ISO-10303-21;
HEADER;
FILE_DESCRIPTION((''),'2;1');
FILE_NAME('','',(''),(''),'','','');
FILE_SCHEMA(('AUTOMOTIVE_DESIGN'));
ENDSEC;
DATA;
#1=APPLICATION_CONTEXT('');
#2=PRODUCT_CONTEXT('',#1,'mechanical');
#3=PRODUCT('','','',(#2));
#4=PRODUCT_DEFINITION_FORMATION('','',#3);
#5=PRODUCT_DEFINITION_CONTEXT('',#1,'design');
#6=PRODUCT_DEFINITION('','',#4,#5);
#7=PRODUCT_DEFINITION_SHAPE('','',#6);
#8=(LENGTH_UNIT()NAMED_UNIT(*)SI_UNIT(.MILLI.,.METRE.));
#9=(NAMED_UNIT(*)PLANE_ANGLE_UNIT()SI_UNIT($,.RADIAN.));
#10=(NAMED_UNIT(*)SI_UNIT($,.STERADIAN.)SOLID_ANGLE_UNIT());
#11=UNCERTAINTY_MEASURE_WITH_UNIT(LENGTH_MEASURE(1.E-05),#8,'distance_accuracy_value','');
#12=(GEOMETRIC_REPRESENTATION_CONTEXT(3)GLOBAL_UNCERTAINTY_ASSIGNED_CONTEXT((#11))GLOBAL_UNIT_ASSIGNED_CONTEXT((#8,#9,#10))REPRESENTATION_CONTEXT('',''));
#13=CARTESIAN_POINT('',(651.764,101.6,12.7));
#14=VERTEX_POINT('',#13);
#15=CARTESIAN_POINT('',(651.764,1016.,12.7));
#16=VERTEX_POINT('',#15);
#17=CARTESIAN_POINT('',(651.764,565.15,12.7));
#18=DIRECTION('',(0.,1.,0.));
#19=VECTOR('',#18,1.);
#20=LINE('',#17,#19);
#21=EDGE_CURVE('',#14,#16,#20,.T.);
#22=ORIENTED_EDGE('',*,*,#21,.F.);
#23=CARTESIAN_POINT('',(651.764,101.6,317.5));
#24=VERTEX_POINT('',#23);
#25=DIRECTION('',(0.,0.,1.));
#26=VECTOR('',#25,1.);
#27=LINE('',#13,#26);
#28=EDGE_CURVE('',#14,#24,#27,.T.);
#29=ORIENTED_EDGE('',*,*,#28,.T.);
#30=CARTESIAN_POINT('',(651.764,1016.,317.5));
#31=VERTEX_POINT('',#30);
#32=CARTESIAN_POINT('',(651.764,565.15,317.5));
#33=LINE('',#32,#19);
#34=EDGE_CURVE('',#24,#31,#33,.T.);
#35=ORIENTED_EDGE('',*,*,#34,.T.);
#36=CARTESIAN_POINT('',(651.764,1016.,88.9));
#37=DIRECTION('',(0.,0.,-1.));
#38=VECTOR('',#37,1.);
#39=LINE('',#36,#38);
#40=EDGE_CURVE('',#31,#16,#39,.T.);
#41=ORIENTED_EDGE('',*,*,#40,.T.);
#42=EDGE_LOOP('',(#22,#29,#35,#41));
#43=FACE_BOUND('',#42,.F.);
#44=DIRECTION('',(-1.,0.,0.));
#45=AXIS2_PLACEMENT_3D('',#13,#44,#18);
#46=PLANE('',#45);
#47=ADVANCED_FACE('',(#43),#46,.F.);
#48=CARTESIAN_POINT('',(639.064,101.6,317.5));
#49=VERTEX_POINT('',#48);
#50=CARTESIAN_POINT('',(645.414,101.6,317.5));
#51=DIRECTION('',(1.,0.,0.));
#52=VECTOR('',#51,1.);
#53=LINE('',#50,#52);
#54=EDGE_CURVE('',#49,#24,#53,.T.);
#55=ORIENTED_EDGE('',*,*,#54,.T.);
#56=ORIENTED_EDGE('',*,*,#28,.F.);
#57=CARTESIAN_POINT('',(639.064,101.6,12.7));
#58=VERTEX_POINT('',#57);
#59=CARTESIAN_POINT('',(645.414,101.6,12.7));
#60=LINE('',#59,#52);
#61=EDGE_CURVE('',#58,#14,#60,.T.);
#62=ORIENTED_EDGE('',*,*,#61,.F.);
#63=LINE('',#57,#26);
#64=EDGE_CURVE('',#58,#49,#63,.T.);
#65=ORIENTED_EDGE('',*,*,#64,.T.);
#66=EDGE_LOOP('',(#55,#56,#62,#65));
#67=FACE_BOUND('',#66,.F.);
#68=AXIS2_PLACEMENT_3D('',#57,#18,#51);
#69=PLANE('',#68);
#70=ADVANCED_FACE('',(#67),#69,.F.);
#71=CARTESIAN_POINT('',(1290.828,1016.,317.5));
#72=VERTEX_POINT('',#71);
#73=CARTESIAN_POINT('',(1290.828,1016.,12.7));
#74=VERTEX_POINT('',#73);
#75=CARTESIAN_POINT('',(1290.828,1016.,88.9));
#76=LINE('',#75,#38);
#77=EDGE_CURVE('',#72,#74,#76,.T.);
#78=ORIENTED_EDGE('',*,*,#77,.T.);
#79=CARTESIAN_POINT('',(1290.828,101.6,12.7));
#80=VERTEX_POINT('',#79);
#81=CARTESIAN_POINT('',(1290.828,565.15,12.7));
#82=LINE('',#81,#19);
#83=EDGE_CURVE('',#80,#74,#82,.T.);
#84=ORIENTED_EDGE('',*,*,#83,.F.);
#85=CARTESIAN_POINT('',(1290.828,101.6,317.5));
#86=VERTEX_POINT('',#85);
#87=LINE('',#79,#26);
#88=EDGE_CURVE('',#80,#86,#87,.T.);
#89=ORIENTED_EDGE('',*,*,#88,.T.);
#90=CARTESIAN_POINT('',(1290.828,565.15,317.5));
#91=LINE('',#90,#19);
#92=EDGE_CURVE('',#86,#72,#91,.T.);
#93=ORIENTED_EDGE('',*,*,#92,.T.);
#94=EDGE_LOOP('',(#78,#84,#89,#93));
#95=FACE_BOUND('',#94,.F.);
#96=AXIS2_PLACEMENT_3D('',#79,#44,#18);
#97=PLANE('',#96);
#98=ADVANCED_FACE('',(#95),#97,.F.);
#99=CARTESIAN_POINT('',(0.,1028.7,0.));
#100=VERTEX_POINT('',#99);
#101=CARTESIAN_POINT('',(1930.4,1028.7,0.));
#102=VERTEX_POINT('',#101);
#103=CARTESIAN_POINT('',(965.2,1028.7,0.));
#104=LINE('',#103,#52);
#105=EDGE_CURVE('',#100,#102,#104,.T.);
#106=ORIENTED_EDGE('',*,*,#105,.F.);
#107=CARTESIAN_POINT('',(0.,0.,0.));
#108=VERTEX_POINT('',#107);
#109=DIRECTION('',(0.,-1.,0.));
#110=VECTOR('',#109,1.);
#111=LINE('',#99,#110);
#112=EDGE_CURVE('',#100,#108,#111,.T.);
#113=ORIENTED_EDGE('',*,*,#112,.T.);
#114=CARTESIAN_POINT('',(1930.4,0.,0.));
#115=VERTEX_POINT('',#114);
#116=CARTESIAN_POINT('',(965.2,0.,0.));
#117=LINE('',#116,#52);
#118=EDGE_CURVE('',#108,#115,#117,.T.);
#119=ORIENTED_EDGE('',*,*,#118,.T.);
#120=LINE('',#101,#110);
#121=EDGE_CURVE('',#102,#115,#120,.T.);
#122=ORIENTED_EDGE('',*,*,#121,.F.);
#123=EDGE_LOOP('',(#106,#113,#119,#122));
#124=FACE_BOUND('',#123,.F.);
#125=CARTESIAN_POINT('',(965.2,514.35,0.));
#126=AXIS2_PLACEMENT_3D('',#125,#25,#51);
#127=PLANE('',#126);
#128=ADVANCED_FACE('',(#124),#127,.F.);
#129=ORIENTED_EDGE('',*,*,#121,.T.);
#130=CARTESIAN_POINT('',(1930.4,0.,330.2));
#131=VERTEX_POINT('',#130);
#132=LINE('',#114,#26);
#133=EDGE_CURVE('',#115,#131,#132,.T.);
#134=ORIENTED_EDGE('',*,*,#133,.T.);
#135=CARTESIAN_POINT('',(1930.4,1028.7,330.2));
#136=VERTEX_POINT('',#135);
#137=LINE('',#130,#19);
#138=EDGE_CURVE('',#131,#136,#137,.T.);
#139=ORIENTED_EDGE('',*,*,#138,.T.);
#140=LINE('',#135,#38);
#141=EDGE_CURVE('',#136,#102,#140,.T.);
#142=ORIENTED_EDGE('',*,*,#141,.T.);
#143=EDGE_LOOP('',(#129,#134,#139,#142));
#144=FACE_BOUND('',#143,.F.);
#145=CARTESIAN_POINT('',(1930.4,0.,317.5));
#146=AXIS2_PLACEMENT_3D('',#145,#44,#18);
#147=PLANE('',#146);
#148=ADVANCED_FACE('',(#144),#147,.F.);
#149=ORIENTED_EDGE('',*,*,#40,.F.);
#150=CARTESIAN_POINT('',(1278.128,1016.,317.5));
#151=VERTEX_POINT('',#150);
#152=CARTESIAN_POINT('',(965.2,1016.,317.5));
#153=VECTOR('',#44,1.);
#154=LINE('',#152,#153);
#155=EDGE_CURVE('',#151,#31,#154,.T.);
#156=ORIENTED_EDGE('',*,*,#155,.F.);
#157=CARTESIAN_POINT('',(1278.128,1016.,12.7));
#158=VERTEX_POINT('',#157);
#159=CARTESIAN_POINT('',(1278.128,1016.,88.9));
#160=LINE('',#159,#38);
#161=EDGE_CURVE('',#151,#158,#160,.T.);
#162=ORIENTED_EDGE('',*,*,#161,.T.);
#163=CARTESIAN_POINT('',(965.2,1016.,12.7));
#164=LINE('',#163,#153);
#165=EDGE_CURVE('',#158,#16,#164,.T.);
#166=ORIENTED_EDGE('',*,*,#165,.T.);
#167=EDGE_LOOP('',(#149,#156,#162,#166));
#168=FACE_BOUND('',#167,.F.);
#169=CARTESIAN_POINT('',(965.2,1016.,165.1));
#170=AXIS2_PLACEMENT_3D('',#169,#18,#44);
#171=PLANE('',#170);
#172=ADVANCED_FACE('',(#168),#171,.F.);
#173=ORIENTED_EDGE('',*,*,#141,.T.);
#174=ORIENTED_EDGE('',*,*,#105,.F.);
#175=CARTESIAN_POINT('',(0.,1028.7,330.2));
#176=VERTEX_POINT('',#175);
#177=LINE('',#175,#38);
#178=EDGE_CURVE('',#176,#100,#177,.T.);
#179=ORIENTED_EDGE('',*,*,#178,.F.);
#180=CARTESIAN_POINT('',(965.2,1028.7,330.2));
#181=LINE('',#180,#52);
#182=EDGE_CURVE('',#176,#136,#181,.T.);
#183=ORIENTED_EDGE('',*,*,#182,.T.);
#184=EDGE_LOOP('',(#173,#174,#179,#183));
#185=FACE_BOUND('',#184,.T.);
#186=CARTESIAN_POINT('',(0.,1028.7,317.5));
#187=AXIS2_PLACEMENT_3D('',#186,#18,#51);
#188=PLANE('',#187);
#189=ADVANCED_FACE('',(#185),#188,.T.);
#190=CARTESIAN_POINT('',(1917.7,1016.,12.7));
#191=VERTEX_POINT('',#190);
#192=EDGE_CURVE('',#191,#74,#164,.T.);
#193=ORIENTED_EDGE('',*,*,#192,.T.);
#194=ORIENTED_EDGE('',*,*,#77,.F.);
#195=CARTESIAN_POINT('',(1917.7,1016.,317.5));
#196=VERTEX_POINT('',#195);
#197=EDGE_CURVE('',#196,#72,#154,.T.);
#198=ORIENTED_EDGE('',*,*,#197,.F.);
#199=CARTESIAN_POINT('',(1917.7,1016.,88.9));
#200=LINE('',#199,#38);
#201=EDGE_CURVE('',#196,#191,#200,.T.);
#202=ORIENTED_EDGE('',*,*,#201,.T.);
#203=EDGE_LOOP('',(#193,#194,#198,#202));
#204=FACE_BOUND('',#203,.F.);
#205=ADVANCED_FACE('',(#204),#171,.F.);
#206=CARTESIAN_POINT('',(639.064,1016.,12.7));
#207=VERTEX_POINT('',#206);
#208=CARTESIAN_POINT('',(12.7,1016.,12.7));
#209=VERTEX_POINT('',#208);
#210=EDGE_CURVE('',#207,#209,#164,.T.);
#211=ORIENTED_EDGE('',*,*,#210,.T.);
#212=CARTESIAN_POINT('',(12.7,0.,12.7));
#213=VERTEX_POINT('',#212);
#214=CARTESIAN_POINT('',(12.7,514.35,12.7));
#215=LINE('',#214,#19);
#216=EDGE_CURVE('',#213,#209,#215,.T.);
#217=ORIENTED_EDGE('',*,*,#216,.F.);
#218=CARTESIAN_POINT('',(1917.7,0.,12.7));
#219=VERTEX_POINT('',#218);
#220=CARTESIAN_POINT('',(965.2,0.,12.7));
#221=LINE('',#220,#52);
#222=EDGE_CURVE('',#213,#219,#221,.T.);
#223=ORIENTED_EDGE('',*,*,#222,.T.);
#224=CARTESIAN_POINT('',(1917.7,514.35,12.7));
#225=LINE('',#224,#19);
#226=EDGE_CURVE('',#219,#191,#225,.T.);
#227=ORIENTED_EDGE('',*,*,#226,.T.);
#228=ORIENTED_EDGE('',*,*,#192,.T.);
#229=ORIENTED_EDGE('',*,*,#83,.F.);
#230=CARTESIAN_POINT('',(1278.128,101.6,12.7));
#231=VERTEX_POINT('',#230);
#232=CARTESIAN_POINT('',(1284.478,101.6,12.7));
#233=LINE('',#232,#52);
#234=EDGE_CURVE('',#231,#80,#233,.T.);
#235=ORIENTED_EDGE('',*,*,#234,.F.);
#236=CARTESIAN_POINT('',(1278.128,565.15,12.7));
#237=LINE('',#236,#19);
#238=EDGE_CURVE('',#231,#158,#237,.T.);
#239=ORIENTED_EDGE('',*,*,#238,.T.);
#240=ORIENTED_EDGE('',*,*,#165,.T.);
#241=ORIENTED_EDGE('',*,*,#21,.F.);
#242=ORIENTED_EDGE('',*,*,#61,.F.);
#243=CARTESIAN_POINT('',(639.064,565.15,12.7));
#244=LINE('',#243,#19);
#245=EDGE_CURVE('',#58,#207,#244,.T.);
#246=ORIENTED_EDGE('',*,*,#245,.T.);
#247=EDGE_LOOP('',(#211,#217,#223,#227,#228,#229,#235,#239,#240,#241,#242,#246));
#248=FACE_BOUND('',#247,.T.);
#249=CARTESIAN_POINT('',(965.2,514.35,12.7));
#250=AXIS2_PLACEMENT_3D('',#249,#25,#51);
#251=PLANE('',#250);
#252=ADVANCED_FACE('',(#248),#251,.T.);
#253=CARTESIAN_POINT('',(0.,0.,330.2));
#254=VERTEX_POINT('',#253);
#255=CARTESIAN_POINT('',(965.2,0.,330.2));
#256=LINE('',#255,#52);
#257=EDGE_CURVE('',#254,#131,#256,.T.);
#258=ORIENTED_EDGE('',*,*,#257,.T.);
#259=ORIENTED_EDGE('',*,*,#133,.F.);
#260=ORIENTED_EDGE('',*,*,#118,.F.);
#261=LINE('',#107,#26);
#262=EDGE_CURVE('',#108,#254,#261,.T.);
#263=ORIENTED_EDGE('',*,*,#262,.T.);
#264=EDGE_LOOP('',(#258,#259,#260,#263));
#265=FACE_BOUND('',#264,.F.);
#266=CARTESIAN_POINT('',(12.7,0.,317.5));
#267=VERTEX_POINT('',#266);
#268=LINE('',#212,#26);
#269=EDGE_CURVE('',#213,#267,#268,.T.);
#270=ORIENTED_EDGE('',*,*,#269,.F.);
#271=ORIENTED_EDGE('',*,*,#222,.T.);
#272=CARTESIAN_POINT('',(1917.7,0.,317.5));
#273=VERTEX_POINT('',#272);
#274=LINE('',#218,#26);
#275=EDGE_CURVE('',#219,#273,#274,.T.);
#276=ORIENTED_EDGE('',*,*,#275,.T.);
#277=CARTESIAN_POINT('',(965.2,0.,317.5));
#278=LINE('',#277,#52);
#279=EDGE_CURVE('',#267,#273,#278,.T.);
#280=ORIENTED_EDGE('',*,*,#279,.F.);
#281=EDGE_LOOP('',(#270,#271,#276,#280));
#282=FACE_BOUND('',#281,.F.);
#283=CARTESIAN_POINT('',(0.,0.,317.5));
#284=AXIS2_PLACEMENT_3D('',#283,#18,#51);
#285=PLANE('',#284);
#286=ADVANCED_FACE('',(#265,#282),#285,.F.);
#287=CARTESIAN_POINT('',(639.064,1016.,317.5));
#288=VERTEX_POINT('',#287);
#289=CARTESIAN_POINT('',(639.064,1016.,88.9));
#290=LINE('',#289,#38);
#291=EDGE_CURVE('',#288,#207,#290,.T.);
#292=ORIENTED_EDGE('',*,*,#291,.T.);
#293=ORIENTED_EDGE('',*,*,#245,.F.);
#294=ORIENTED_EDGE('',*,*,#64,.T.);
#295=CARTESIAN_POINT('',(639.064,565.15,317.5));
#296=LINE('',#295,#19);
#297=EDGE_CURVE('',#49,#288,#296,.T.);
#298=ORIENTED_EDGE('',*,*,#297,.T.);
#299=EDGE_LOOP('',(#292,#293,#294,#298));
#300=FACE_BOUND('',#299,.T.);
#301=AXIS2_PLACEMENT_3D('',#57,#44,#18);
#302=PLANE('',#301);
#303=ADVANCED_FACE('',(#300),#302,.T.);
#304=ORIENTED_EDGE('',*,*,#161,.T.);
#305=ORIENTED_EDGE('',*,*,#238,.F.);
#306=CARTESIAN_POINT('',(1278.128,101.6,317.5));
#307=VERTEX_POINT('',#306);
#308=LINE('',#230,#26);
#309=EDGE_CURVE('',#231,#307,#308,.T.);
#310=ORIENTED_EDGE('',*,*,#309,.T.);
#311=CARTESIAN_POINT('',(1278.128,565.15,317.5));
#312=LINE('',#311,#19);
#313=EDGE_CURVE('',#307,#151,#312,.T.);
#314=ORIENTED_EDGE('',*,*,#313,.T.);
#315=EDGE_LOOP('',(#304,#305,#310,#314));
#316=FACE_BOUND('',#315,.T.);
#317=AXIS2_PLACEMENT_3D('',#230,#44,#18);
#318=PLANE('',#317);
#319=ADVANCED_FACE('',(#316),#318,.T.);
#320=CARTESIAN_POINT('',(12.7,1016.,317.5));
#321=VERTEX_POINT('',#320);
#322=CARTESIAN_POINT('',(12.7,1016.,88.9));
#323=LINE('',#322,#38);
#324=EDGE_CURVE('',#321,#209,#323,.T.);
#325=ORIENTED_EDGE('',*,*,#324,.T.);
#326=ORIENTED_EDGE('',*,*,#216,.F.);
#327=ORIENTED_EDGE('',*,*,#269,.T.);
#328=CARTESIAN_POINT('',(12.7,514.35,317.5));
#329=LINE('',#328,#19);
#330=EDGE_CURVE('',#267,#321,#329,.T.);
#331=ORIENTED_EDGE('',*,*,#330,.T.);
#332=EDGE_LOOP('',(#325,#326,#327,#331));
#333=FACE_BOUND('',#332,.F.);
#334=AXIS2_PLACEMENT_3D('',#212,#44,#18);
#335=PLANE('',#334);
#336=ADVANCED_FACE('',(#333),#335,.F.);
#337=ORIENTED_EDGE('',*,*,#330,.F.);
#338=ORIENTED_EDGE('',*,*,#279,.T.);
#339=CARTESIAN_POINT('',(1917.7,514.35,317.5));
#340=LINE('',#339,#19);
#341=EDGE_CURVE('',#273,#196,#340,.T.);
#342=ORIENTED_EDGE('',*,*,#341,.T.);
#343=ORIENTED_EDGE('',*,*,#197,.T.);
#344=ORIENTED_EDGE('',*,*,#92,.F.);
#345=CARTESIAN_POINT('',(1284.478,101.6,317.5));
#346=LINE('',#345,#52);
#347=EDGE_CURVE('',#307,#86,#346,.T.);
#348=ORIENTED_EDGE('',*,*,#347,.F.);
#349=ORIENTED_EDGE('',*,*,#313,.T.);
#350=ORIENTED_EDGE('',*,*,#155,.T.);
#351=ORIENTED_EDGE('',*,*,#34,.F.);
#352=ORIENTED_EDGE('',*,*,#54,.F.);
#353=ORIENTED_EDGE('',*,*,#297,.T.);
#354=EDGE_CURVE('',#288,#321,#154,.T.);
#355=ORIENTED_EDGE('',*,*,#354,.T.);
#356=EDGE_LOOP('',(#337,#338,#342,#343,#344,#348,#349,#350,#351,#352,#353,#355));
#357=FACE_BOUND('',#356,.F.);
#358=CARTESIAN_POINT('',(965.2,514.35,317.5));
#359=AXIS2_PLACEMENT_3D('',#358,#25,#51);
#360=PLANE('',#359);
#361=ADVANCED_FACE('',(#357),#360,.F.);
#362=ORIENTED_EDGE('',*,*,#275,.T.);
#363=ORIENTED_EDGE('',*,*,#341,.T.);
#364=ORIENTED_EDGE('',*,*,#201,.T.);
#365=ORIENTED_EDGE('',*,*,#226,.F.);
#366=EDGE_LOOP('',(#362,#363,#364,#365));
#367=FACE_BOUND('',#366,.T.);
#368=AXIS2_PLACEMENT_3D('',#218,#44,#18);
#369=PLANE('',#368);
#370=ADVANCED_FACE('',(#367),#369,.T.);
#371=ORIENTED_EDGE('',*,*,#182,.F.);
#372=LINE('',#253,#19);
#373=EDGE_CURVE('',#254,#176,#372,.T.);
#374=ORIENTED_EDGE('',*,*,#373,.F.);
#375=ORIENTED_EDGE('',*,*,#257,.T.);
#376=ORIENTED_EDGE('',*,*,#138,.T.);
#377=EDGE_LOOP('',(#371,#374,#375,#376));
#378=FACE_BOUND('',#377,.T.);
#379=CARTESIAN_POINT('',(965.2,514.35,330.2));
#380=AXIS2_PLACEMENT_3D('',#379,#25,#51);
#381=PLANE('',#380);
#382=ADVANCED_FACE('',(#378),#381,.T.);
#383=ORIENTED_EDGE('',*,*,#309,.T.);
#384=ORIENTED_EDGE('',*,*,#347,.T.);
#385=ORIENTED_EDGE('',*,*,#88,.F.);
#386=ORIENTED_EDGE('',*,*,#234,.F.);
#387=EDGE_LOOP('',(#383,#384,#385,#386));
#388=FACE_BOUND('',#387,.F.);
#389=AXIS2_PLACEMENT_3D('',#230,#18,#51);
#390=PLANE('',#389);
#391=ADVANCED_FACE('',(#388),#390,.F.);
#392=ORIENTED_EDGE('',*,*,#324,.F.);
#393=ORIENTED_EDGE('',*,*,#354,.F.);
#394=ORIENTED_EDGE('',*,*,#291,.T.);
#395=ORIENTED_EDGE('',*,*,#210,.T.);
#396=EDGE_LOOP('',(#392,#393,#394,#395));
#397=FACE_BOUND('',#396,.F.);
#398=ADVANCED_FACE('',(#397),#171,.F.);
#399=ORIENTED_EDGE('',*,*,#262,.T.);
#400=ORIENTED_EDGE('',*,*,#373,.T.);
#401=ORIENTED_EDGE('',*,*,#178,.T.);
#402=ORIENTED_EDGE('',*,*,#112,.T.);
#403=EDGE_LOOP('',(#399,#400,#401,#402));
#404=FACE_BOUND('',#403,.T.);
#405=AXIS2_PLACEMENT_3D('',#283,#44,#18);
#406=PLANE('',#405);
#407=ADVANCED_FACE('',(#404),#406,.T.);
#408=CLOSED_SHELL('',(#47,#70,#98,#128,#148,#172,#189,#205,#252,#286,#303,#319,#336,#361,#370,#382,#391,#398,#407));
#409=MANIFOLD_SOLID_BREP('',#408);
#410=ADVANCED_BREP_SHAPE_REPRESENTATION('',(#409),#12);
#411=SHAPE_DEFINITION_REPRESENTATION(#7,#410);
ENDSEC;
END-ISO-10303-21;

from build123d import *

# Parameters (mm, degrees)
F0_W     = 1930.4
F0_H     = 1028.7
F1_DEPTH = 12.7
F2_W     = 12.7
F2_H     = 1028.7
F2_H_2   = 927.1
F3_DEPTH = 304.8
F4_W     = 1930.4
F4_H     = 1028.7
F5_DEPTH = 12.7
F6_W     = 1930.4
F6_H     = 330.2
F7_DEPTH = 12.7


with BuildPart() as f1:
    # F0 (on Top) → F1 (new body)
    with BuildSketch(Plane.XY):
        with Locations((965.2, 514.35)):
            Rectangle(F0_W, F0_H)
    extrude(amount=F1_DEPTH)

    # F2 (on face) → F3 (join)
    with BuildSketch(Plane.XY.offset(12.7)):
        with Locations((6.35, 514.35)):
            Rectangle(F2_W, F2_H)
        with Locations((1924.05, 514.35)):
            Rectangle(F2_W, F2_H)
        with Locations((645.414, 565.15)):
            Rectangle(F2_W, F2_H_2)
        with Locations((1284.478, 565.15)):
            Rectangle(F2_W, F2_H_2)
    extrude(amount=F3_DEPTH)

    # F4 (on face) → F5 (join)
    with BuildSketch(Plane.XY.offset(317.5)):
        with Locations((965.2, 514.35)):
            Rectangle(F4_W, F4_H)
    extrude(amount=F5_DEPTH)

    # F6 (on face) → F7 (join)
    with BuildSketch(Plane(origin=(0, 1028.7, 0), x_dir=(-1, 0, 0), z_dir=(0, 1, 0))):
        with Locations((-965.2, 165.1)):
            Rectangle(F6_W, F6_H)
    extrude(amount=-F7_DEPTH)


solid = f1.part
